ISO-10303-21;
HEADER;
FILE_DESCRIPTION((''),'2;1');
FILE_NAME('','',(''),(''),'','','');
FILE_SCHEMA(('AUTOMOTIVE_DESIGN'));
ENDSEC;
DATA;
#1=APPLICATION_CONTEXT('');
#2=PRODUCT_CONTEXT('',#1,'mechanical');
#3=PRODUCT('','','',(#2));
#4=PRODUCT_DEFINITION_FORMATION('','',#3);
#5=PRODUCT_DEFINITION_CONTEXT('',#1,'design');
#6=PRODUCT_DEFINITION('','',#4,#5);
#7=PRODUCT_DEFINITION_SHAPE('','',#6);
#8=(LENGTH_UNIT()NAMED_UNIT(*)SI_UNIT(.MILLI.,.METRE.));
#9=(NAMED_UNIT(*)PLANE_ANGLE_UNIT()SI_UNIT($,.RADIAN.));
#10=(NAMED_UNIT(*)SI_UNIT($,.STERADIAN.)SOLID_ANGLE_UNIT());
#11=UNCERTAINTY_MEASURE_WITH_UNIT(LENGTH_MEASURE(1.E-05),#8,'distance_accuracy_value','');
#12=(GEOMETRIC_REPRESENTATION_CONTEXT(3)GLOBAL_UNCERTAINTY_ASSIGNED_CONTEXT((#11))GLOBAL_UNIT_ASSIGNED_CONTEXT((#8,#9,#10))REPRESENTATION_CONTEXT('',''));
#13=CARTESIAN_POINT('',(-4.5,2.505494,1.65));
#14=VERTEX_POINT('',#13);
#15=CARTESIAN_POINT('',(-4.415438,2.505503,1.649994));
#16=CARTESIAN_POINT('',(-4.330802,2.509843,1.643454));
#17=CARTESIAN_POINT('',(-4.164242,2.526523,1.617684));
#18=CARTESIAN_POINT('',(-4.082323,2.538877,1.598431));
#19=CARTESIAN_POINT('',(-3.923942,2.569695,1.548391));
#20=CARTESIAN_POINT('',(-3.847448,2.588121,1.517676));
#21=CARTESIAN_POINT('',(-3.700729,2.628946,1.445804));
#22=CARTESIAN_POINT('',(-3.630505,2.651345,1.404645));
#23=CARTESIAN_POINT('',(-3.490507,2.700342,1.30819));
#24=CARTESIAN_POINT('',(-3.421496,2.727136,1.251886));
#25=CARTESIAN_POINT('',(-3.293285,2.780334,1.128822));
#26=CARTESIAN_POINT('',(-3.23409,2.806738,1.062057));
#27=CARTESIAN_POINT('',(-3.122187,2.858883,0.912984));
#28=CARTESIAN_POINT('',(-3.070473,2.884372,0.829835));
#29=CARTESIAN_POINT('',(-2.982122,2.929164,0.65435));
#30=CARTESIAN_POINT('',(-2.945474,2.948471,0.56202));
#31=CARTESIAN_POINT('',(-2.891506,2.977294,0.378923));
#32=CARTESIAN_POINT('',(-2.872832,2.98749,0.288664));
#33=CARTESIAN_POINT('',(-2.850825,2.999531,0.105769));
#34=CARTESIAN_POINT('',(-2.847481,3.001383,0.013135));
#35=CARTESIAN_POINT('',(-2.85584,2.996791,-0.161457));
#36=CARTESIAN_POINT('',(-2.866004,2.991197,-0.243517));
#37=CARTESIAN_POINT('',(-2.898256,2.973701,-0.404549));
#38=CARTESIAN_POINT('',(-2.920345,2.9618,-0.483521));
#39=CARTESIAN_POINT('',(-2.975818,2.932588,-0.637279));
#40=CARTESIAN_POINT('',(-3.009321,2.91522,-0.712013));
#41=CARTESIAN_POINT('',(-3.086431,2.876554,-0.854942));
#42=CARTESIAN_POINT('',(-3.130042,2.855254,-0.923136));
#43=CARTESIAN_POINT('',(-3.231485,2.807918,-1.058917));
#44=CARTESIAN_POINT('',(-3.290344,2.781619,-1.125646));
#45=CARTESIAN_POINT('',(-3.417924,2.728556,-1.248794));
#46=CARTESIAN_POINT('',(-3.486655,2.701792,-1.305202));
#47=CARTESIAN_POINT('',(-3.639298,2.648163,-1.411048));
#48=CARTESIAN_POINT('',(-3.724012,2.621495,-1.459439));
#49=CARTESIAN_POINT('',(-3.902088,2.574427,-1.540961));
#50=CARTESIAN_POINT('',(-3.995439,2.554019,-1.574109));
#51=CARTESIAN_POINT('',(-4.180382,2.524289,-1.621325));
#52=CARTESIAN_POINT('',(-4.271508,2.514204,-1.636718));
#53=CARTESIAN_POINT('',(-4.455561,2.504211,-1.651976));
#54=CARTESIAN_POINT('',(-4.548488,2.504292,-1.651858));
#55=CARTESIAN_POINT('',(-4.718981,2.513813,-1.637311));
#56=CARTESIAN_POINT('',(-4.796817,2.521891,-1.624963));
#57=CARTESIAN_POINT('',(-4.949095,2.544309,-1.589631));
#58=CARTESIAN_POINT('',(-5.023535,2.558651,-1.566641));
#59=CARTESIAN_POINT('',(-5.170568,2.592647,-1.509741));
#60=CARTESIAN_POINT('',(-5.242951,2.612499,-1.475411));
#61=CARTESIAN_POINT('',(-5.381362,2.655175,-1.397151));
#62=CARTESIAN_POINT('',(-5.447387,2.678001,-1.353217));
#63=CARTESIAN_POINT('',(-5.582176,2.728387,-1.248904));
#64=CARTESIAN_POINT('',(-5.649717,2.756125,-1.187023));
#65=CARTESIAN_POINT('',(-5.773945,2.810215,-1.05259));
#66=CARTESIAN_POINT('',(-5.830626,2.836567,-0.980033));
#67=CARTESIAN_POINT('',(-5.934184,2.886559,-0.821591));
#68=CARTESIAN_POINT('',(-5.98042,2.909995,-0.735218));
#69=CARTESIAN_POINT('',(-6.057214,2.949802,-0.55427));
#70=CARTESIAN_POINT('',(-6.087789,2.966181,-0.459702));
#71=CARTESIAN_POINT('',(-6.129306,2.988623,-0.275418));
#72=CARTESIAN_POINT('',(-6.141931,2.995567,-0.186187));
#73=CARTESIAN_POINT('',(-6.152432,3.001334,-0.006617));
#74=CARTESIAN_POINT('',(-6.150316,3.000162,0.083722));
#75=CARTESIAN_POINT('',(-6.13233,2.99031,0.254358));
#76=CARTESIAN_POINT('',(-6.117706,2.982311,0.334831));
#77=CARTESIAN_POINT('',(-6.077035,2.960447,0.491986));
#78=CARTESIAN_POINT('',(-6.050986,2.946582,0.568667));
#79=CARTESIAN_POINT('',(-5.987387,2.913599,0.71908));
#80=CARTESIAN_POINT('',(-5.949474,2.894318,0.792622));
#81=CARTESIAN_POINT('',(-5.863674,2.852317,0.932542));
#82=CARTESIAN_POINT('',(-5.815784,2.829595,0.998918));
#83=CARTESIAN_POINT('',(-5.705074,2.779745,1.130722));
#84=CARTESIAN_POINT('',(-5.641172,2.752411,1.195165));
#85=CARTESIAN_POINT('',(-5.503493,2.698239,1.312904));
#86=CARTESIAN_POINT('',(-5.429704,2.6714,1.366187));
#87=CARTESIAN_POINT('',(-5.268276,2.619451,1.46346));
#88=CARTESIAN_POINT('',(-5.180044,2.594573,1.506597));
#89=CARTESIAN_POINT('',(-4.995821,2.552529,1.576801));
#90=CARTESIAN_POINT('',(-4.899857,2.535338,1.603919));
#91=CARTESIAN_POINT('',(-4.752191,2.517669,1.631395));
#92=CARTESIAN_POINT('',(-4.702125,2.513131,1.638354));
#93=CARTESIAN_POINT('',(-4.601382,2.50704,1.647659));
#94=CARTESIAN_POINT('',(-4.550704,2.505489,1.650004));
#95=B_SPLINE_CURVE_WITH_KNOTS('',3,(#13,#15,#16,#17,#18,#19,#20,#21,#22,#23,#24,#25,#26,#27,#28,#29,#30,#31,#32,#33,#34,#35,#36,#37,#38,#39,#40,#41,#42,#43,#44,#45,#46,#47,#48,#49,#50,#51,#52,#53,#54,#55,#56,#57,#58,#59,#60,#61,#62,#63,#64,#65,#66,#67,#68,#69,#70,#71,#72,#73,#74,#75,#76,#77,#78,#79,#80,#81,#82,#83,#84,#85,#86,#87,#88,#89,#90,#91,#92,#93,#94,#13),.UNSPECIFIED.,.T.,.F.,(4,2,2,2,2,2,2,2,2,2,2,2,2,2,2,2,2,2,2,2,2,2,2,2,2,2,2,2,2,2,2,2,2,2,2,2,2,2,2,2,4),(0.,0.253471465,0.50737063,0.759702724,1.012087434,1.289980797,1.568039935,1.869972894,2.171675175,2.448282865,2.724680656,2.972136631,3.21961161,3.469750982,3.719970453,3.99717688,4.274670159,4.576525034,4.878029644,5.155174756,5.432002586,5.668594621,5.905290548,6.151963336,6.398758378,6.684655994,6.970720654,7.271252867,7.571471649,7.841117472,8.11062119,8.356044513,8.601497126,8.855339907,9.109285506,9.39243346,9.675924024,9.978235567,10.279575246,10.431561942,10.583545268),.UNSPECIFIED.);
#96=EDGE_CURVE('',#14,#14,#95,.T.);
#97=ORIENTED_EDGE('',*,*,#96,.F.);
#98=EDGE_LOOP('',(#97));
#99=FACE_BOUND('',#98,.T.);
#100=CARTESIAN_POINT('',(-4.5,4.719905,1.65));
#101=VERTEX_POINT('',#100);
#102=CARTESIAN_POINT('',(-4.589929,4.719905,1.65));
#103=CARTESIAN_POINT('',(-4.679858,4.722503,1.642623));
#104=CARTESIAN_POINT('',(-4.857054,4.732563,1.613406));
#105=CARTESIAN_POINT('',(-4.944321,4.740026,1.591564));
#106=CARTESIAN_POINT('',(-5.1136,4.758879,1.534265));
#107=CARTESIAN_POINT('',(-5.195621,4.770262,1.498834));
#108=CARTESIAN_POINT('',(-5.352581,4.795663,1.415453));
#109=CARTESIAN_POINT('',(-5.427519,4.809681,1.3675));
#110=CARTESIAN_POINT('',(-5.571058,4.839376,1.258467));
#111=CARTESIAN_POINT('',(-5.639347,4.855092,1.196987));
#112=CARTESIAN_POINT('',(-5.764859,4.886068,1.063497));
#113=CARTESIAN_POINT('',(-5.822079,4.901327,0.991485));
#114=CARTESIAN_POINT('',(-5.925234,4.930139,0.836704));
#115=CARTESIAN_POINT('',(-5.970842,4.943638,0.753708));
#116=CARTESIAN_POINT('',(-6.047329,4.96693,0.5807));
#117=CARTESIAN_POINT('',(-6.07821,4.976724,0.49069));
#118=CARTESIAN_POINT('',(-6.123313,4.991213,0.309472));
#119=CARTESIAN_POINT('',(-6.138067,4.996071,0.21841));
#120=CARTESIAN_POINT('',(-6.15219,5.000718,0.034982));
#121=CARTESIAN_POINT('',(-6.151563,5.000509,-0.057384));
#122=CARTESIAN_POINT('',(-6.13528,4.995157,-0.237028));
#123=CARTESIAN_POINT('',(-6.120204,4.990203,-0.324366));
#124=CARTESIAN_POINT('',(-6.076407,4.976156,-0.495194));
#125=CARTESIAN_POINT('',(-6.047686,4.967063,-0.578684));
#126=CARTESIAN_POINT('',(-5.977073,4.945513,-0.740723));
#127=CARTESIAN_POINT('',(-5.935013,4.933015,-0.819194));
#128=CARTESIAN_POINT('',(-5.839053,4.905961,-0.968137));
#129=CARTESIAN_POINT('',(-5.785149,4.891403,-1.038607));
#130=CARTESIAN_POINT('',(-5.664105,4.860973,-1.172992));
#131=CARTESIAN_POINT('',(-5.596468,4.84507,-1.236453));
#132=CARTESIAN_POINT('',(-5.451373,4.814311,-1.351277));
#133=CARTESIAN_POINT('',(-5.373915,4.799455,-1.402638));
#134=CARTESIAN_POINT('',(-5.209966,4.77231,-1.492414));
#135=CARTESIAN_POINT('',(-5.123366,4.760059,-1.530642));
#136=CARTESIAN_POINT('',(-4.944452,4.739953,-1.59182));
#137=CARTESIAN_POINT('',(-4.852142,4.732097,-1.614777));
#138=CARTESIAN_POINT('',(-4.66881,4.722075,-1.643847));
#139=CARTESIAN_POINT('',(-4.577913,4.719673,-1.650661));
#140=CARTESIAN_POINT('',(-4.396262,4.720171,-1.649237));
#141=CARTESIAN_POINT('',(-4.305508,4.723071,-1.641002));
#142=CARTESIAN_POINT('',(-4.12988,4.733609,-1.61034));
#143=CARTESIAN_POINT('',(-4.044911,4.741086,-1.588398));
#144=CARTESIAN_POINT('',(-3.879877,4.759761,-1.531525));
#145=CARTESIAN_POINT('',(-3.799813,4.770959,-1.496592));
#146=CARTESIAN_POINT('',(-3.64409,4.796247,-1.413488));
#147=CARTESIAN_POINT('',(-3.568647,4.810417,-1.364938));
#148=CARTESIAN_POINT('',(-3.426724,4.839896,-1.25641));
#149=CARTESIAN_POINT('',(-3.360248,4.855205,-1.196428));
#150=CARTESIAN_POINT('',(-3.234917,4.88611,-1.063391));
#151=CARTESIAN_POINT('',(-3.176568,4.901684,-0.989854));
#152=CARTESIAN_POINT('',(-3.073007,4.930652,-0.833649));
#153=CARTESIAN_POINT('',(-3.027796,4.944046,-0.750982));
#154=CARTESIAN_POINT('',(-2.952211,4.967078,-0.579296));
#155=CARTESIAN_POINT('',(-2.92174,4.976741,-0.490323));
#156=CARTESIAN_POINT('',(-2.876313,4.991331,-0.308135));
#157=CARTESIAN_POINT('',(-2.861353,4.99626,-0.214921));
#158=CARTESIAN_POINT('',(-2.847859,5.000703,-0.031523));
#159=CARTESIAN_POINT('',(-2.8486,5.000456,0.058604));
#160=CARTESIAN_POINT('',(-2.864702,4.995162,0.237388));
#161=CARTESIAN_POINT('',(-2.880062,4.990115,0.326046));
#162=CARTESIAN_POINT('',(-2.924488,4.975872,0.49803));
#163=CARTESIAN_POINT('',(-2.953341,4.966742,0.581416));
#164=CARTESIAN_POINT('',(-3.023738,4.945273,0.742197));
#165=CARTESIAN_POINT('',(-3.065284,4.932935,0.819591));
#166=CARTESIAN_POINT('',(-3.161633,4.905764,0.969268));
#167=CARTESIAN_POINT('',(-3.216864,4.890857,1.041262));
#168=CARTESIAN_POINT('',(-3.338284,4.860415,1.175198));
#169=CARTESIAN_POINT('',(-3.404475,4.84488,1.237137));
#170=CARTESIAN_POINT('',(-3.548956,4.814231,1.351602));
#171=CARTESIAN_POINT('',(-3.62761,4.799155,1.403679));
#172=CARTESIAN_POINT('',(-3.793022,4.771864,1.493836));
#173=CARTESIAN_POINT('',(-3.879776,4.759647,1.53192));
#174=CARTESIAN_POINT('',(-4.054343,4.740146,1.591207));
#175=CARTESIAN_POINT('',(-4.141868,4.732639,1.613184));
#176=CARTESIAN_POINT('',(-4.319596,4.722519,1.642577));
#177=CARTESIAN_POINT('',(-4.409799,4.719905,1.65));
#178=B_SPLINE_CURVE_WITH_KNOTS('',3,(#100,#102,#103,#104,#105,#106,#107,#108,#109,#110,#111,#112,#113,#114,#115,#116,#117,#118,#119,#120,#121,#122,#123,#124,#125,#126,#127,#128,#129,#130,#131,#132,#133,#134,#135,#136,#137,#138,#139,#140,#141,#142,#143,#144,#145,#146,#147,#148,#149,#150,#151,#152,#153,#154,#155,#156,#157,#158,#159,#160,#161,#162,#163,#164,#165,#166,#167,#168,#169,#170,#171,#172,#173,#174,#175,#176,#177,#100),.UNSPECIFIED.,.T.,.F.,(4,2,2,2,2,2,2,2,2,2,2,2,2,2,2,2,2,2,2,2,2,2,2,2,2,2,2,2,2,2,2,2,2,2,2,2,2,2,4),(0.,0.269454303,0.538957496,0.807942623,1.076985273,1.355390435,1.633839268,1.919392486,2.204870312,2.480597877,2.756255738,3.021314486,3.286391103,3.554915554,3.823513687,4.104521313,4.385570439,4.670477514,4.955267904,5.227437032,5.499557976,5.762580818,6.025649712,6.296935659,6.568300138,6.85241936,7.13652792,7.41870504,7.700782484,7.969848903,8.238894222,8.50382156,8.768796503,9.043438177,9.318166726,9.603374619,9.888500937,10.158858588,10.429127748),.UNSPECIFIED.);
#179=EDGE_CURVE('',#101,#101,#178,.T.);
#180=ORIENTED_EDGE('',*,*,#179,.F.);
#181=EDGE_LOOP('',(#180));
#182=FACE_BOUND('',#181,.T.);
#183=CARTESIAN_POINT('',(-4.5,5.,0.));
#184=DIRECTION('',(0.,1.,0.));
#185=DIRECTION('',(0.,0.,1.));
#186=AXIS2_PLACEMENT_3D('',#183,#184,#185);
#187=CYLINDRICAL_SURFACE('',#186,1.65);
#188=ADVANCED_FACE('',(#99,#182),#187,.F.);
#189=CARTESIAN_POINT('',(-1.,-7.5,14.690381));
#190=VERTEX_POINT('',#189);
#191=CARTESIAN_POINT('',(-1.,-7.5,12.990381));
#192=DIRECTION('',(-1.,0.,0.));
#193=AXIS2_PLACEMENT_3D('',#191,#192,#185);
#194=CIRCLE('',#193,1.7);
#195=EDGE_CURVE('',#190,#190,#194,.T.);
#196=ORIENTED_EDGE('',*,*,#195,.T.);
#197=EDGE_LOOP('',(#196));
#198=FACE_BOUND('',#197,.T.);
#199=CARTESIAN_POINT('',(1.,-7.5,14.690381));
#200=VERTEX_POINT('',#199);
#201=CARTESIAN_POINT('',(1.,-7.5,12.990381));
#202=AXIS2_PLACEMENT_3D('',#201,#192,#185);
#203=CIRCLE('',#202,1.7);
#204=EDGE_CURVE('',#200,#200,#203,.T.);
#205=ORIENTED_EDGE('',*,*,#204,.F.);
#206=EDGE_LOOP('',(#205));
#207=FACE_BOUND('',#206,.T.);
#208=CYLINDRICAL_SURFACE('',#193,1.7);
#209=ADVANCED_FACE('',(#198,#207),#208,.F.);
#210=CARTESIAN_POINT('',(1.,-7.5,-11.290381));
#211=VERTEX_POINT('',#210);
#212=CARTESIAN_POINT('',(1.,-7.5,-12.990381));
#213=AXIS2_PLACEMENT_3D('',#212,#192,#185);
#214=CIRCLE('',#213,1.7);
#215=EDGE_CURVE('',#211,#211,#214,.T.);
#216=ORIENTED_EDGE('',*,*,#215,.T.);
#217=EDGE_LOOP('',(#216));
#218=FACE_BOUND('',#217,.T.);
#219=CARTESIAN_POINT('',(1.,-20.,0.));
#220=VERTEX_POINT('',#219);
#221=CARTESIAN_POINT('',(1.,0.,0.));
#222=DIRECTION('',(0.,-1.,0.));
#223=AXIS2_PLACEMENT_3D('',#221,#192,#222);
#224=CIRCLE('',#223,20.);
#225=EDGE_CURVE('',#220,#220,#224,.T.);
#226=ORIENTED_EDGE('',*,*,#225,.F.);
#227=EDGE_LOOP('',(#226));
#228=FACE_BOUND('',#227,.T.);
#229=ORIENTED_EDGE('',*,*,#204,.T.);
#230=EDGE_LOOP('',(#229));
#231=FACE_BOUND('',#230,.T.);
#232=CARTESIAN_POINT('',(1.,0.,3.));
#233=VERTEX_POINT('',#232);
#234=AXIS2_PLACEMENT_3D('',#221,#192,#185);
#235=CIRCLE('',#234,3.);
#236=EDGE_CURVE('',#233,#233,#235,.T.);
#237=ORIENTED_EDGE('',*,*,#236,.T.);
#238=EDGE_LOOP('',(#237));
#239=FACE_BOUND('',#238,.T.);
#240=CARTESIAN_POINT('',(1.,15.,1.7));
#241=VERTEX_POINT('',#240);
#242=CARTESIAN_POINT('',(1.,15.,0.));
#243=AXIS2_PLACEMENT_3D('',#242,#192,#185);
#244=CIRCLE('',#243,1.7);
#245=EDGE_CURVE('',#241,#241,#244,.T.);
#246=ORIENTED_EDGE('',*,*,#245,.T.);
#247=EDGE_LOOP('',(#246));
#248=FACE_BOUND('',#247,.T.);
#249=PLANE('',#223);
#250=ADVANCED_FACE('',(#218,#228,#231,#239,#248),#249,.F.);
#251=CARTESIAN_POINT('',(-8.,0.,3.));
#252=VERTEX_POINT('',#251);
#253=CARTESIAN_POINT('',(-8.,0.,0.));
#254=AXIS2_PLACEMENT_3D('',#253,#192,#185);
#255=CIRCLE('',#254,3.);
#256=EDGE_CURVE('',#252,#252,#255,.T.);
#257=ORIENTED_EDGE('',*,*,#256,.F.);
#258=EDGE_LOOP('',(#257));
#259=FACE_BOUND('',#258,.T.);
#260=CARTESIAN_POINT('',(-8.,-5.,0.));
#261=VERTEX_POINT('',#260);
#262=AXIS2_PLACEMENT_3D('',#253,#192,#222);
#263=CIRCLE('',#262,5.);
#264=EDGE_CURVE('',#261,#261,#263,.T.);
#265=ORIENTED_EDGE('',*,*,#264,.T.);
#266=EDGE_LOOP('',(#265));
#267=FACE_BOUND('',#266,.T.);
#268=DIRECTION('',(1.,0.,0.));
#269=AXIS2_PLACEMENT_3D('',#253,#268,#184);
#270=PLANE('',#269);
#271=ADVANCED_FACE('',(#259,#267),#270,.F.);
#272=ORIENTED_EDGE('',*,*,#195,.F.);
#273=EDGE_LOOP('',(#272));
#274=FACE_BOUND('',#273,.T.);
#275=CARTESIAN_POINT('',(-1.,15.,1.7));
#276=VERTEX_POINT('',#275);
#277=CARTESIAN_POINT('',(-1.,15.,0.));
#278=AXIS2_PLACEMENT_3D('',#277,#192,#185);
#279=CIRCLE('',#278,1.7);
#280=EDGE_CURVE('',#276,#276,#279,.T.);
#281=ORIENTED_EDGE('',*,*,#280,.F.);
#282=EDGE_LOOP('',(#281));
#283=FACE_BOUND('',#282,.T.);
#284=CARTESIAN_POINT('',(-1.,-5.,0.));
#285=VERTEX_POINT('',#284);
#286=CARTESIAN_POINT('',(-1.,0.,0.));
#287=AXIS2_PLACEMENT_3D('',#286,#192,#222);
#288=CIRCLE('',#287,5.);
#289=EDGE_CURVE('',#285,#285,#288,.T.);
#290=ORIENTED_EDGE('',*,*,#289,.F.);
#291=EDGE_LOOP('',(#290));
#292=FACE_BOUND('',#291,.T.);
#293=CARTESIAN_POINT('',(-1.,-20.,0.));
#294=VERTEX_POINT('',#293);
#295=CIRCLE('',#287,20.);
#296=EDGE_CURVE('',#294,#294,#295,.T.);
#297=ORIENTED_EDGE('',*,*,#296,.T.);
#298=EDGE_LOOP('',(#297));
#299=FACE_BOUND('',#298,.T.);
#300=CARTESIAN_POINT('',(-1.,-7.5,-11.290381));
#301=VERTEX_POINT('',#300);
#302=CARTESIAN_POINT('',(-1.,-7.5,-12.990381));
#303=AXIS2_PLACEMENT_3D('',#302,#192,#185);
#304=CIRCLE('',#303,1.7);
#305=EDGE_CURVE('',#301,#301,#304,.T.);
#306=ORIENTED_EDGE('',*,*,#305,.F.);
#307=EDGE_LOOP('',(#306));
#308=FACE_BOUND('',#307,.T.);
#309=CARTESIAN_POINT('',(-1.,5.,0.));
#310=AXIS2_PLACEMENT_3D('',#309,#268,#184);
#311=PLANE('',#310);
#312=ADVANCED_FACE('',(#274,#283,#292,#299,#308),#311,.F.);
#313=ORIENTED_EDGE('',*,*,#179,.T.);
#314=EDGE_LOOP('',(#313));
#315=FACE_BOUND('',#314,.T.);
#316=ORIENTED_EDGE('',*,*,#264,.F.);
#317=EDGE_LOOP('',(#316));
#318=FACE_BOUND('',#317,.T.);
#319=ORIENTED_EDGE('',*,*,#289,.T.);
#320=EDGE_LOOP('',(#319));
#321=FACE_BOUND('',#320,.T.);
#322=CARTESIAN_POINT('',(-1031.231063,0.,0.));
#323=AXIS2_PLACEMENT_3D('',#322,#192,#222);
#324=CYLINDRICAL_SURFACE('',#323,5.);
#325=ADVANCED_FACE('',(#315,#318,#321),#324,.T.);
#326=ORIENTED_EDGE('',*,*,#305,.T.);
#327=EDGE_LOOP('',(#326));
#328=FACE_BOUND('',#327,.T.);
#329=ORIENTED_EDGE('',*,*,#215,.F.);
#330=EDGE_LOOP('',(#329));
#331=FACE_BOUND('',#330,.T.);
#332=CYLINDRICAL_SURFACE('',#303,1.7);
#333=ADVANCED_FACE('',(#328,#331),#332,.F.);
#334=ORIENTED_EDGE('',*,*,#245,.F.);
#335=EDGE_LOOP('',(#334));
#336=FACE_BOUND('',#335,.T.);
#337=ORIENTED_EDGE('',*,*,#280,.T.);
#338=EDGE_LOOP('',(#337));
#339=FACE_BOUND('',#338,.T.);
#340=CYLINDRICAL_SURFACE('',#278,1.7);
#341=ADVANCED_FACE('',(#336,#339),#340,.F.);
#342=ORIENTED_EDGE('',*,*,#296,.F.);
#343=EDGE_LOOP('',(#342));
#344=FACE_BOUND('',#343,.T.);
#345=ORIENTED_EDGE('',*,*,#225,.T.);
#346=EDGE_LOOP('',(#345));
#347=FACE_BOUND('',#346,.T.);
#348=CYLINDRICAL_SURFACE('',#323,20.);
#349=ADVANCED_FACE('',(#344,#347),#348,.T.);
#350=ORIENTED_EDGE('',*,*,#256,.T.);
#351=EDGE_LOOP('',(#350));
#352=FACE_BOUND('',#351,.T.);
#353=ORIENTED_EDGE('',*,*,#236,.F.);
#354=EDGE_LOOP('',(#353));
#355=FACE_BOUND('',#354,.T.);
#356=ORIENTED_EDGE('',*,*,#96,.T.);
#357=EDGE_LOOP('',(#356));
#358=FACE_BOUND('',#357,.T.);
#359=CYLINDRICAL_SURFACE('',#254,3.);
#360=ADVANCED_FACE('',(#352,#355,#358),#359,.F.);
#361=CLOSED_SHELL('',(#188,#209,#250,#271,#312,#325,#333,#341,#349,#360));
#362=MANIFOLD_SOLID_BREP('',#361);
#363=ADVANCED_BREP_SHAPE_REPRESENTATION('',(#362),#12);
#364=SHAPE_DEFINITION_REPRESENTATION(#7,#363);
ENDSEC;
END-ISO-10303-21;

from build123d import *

# Parameters (mm, degrees)
DIAM_TRE_DU_PER_AGE_6_0_6_1_D = 6
TROU_TARAUD_M4X0_71_D         = 3.3
TROU_TARAUD_M4X0_71_DEPTH     = 4
TROU_TARAUD_M4X0_71_TIP       = 0.991420021
D_GAGEMENT_M31_D              = 3.4


with BuildPart() as part:
    # Esquisse1 → Révolution1 (revolve)
    with BuildSketch(Plane.XY, mode=Mode.PRIVATE) as r_volution1_sk:
        Polygon((-1, 0), (1, 0), (1, 20), (-1, 20), (-1, 5), (-8, 5), (-8, 0), align=None)
    revolve(r_volution1_sk.sketch.rotate(Axis((-1031.231063335, 0, 0), (1, 0, 0)), 180), axis=Axis((-1031.231063335, 0, 0), (1, 0, 0)))

    # Diamètre du perçage Ø6.0 (6)1 (through all)
    with Locations(Plane.ZY.offset(8)):
        with Locations((0, 0)):
            Hole(DIAM_TRE_DU_PER_AGE_6_0_6_1_D / 2)

    # Trou taraudé M4x0.71
    with Locations(Plane(origin=(-4.5, 5, 0), x_dir=(0, 0, 1), z_dir=(0, 1, 0))):
        with Locations((0, 0)):
            Hole(TROU_TARAUD_M4X0_71_D / 2, depth=TROU_TARAUD_M4X0_71_DEPTH)
            with Locations((0, 0, -(TROU_TARAUD_M4X0_71_DEPTH + TROU_TARAUD_M4X0_71_TIP / 2))):  # 118° drill point
                Cone(0, TROU_TARAUD_M4X0_71_D / 2, TROU_TARAUD_M4X0_71_TIP, mode=Mode.SUBTRACT)

    # Dégagement M31 (through all)
    with Locations(Plane.ZY.offset(1)):
        with Locations((0, 15), (12.990381057, -7.5), (-12.990381057, -7.5)):
            Hole(D_GAGEMENT_M31_D / 2)


solid = part.part
